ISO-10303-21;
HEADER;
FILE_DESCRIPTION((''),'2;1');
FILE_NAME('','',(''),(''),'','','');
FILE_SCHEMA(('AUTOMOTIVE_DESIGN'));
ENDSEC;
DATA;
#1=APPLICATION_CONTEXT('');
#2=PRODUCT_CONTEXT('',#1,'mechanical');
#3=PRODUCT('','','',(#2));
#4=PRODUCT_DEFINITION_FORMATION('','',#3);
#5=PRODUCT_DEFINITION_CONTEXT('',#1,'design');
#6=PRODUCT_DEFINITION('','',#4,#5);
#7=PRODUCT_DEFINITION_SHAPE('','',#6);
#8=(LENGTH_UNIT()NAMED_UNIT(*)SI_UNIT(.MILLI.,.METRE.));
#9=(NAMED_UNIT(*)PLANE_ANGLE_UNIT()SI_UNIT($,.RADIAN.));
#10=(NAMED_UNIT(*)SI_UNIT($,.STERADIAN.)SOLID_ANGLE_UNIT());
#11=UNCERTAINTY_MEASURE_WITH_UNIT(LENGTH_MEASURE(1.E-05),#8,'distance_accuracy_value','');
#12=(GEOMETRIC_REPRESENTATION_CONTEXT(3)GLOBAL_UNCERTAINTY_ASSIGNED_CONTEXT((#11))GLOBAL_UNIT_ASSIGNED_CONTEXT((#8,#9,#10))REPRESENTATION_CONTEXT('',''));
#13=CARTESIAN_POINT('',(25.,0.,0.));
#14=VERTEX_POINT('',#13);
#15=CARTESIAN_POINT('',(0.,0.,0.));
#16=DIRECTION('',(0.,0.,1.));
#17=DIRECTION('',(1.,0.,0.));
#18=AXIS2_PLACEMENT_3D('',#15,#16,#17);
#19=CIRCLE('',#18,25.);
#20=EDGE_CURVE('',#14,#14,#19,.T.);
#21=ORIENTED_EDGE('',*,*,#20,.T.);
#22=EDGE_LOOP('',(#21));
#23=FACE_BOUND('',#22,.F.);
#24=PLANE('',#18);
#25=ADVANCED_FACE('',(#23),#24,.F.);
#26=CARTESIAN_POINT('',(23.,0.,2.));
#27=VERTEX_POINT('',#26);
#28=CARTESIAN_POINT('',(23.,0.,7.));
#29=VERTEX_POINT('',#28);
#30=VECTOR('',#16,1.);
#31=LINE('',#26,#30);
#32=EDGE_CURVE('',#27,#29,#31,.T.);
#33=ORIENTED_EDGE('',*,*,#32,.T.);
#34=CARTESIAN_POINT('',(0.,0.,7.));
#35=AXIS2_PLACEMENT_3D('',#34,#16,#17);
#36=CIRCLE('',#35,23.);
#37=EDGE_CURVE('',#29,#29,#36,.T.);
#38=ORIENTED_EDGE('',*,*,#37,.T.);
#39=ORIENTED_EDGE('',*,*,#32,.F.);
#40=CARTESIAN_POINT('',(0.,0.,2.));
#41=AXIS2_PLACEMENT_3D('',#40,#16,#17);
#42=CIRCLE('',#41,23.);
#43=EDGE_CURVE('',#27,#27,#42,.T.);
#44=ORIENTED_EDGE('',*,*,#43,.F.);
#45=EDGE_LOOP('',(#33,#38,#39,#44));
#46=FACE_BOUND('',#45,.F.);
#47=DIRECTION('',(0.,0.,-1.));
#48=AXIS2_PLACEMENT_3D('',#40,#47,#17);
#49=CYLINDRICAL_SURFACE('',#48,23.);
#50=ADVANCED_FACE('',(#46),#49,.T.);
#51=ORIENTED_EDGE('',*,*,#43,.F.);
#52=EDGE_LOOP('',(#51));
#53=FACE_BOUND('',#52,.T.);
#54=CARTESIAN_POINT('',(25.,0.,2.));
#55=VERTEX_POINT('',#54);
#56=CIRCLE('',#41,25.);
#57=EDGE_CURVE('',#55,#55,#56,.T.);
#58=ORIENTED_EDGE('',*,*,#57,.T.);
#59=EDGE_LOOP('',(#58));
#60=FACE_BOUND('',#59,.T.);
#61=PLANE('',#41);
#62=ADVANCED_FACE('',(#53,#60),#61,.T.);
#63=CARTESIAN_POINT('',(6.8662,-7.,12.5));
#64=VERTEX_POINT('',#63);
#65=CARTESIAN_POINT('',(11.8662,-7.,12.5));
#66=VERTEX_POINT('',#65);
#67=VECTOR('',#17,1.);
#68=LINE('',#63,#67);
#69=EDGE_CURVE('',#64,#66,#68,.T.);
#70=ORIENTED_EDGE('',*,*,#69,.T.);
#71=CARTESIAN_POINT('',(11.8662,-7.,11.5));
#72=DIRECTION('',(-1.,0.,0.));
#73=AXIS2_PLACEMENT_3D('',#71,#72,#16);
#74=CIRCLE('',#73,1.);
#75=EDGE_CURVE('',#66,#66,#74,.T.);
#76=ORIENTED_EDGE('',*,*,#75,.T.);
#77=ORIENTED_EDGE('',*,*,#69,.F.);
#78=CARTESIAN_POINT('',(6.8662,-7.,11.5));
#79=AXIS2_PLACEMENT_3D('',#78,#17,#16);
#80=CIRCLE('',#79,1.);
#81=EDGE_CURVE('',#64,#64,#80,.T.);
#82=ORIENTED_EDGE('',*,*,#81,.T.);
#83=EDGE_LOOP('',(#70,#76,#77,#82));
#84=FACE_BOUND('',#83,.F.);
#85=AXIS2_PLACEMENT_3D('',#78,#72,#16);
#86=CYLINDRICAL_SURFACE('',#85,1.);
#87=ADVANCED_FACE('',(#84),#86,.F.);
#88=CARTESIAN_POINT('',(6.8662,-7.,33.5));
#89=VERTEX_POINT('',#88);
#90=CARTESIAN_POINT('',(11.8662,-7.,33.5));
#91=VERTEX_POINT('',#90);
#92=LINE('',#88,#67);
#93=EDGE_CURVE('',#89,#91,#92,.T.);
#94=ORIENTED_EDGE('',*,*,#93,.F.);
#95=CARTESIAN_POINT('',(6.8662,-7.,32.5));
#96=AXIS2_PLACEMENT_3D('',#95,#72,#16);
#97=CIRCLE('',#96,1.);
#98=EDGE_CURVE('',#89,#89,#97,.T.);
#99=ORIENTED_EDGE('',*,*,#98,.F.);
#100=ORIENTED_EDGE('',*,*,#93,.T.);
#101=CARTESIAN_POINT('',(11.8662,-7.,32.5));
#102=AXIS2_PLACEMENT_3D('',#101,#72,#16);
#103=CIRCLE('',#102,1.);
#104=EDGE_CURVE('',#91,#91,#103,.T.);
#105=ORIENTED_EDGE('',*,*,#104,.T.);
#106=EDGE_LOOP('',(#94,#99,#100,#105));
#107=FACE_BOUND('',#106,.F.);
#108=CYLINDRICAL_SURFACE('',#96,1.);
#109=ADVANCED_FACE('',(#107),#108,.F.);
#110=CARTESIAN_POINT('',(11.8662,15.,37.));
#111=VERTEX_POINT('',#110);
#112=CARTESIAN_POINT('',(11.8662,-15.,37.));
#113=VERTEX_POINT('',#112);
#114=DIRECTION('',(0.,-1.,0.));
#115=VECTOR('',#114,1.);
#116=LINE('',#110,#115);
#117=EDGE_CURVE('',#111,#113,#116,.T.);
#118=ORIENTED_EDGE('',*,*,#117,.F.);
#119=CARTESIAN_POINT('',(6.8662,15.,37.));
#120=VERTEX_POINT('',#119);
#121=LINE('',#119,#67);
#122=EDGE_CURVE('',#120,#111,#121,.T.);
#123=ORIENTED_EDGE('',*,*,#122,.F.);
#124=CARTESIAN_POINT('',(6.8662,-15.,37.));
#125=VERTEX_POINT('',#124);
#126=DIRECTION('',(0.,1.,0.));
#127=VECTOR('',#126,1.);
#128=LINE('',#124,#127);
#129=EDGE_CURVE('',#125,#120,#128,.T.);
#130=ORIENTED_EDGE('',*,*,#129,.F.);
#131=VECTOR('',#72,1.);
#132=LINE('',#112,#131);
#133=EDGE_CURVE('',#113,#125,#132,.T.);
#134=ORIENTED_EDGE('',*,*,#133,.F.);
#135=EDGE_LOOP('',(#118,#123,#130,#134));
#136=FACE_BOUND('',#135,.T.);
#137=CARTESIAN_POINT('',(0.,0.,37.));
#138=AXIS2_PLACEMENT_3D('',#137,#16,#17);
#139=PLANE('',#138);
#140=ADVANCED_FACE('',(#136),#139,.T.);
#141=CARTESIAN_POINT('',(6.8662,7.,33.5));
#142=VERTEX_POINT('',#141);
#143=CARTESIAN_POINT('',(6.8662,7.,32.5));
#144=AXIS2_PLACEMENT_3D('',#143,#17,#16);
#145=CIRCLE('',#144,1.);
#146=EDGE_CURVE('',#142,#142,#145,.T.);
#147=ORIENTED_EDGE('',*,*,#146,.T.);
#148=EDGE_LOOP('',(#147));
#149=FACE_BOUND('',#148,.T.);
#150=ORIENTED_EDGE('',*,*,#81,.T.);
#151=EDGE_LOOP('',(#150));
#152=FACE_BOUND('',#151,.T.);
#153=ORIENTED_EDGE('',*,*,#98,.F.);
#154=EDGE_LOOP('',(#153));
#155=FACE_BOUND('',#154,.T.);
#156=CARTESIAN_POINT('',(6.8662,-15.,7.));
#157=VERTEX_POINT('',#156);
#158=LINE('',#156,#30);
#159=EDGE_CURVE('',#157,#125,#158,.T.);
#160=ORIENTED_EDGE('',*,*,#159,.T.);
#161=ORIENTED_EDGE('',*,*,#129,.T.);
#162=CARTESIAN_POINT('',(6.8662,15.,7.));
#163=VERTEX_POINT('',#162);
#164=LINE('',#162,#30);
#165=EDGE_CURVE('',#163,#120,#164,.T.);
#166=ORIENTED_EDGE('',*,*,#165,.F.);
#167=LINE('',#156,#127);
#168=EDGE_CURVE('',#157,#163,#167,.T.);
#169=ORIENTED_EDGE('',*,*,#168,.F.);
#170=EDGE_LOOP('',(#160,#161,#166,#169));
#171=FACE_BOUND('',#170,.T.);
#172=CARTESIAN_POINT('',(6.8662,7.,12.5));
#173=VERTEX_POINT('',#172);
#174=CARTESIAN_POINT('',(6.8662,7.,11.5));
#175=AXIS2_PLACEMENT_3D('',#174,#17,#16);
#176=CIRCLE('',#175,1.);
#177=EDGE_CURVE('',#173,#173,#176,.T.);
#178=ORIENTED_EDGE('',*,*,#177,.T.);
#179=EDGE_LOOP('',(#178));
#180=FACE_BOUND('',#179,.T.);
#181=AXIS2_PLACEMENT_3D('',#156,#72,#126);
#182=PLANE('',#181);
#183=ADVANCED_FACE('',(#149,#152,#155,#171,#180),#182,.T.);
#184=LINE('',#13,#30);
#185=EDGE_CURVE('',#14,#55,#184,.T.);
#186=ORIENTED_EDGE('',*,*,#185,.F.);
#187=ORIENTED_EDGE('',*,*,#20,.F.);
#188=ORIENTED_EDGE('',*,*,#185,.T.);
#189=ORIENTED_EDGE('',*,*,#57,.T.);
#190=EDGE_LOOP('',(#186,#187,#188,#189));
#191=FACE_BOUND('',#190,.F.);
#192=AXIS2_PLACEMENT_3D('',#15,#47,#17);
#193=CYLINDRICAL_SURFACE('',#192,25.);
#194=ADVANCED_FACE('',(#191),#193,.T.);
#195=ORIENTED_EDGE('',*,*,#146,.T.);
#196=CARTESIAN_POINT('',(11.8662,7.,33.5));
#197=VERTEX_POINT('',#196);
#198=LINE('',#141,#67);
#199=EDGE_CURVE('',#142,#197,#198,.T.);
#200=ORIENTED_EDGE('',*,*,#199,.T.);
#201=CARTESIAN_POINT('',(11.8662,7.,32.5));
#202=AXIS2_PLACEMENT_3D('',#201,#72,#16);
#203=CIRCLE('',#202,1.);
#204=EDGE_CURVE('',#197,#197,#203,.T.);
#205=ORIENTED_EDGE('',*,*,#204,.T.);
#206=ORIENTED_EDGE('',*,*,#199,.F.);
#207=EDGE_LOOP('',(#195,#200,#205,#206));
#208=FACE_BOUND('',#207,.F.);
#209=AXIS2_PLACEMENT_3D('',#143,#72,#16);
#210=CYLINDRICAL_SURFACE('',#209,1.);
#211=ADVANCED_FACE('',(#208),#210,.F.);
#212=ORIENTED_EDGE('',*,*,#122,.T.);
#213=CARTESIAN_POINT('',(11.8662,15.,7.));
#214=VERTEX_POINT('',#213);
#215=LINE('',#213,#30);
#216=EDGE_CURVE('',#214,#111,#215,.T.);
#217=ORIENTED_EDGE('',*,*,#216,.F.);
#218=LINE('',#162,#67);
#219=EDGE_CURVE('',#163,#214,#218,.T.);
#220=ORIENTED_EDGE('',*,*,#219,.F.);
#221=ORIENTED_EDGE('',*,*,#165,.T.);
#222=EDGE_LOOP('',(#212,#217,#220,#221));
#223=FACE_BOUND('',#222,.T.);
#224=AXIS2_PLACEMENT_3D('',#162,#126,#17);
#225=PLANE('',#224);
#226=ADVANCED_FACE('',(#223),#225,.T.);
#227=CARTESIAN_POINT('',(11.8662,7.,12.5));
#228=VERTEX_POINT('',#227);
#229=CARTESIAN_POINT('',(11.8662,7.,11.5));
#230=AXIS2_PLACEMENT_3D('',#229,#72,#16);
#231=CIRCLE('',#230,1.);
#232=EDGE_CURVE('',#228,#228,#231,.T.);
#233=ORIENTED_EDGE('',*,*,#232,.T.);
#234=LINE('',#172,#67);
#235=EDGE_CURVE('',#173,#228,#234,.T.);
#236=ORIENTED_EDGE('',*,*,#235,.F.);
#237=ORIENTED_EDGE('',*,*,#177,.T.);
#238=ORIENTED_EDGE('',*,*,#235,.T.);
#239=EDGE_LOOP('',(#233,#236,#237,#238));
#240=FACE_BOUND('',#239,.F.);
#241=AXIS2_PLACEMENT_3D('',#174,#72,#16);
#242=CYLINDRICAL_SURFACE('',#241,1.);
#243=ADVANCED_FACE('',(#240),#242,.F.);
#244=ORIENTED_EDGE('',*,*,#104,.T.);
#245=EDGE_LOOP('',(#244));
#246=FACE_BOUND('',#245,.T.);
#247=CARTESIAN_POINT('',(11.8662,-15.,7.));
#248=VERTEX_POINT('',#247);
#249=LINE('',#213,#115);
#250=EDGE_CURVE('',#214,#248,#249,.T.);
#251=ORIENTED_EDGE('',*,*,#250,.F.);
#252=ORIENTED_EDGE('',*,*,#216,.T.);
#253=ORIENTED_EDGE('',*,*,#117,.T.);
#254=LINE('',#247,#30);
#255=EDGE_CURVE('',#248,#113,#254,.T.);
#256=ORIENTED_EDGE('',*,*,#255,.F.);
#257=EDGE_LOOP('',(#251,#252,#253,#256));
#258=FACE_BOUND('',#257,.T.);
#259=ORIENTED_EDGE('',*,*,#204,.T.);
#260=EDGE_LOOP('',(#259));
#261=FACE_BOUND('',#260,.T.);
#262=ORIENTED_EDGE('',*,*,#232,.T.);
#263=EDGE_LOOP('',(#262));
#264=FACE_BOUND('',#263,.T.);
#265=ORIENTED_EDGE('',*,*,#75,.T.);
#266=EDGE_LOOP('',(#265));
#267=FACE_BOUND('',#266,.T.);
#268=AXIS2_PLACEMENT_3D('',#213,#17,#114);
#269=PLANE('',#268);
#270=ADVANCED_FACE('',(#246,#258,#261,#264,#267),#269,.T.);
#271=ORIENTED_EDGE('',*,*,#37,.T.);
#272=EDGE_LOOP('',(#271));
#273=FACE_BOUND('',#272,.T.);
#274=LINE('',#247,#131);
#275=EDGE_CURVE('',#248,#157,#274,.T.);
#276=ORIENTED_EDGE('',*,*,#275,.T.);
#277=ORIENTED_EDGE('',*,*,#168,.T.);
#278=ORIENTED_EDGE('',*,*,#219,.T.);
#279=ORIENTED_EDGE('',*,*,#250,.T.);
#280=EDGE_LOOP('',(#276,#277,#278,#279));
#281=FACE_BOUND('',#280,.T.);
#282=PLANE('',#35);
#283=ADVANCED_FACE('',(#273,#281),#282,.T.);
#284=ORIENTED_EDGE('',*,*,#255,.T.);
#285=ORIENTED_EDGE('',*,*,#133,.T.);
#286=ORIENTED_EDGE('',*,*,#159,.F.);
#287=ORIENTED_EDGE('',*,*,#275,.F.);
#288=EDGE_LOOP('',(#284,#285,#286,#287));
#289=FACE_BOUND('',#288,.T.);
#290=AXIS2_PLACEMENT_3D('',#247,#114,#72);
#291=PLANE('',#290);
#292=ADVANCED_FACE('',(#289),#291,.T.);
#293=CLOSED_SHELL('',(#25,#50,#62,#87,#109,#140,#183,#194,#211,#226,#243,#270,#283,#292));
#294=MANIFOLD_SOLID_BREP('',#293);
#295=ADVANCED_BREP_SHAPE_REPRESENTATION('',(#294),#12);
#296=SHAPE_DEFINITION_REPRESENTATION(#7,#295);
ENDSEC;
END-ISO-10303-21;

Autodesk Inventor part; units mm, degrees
ref_plane "YZ Plane" through (0, 0, 0) normal (1, 0, 0) x (0, 1, 0)
ref_plane "XZ Plane" through (0, 0, 0) normal (0, 1, 0) x (-1, 0, 0)
ref_plane "XY Plane" through (0, 0, 0) normal (0, 0, 1) x (1, 0, 0)
sketch "Szkic1" plane through (0, 0, 0) normal (0, 0, 1) x (1, 0, 0)
  circle A0 centre (0, 0) radius 25
  dimension "d0" = 50
extrude "Wyciągnięcie proste1" add sketch "Szkic1" along normal blind 2
sketch "Szkic2" plane through (0, 0, 2) normal (0, 0, 1) x (1, 0, 0)
  circle A0 centre (0, 0) radius 23
  dimension "d3" = 46
extrude "Wyciągnięcie proste2" add sketch "Szkic2" along normal blind 5
sketch "Szkic3" plane through (0, 0, 7) normal (0, 0, 1) x (1, 0, 0)
  line L0 (6.8662, 15) -> (11.8662, 15)
  line L1 (11.8662, 15) -> (11.8662, -15)
  line L2 (11.8662, -15) -> (6.8662, -15)
  line L3 (6.8662, -15) -> (6.8662, 15)
  point P0 (0, 0)
  point P1 (6.8662, 0)
  dimension "d6" = 30
  dimension "d7" = 5
extrude "Wyciągnięcie proste3" add sketch "Szkic3" along normal blind 30
sketch "Szkic4" plane through (6.8662, -15, 7) normal (-1, 0, 0) x (0, 0, 1)
  circle A0 centre (4.5, 22) radius 1
  circle A1 centre (25.5, 22) radius 1
  circle A2 centre (4.5, 8) radius 1
  circle A3 centre (25.5, 8) radius 1
  line L0 (4.5, 22) -> (25.5, 22)
  line L1 (4.5, 22) -> (4.5, 8)
  line L2 (0, 30) -> (30, 30) projected
  line L3 (30, 30) -> (30, 0) projected
  point P0 (-7, 15)
  point P1 (15, 22)
  point P2 (15, 30)
  point P3 (4.5, 15)
  point P4 (30, 15)
  dimension "d10" = 2
  dimension "d11" = 2
  dimension "d12" = 2
  dimension "d13" = 2
  dimension "d14" = 14
  dimension "d15" = 21
extrude "Wyciągnięcie proste4" cut sketch "Szkic4" against normal blind 50
properties part number "camera_poprywka" material "Tworzywo sztuczne PET"
